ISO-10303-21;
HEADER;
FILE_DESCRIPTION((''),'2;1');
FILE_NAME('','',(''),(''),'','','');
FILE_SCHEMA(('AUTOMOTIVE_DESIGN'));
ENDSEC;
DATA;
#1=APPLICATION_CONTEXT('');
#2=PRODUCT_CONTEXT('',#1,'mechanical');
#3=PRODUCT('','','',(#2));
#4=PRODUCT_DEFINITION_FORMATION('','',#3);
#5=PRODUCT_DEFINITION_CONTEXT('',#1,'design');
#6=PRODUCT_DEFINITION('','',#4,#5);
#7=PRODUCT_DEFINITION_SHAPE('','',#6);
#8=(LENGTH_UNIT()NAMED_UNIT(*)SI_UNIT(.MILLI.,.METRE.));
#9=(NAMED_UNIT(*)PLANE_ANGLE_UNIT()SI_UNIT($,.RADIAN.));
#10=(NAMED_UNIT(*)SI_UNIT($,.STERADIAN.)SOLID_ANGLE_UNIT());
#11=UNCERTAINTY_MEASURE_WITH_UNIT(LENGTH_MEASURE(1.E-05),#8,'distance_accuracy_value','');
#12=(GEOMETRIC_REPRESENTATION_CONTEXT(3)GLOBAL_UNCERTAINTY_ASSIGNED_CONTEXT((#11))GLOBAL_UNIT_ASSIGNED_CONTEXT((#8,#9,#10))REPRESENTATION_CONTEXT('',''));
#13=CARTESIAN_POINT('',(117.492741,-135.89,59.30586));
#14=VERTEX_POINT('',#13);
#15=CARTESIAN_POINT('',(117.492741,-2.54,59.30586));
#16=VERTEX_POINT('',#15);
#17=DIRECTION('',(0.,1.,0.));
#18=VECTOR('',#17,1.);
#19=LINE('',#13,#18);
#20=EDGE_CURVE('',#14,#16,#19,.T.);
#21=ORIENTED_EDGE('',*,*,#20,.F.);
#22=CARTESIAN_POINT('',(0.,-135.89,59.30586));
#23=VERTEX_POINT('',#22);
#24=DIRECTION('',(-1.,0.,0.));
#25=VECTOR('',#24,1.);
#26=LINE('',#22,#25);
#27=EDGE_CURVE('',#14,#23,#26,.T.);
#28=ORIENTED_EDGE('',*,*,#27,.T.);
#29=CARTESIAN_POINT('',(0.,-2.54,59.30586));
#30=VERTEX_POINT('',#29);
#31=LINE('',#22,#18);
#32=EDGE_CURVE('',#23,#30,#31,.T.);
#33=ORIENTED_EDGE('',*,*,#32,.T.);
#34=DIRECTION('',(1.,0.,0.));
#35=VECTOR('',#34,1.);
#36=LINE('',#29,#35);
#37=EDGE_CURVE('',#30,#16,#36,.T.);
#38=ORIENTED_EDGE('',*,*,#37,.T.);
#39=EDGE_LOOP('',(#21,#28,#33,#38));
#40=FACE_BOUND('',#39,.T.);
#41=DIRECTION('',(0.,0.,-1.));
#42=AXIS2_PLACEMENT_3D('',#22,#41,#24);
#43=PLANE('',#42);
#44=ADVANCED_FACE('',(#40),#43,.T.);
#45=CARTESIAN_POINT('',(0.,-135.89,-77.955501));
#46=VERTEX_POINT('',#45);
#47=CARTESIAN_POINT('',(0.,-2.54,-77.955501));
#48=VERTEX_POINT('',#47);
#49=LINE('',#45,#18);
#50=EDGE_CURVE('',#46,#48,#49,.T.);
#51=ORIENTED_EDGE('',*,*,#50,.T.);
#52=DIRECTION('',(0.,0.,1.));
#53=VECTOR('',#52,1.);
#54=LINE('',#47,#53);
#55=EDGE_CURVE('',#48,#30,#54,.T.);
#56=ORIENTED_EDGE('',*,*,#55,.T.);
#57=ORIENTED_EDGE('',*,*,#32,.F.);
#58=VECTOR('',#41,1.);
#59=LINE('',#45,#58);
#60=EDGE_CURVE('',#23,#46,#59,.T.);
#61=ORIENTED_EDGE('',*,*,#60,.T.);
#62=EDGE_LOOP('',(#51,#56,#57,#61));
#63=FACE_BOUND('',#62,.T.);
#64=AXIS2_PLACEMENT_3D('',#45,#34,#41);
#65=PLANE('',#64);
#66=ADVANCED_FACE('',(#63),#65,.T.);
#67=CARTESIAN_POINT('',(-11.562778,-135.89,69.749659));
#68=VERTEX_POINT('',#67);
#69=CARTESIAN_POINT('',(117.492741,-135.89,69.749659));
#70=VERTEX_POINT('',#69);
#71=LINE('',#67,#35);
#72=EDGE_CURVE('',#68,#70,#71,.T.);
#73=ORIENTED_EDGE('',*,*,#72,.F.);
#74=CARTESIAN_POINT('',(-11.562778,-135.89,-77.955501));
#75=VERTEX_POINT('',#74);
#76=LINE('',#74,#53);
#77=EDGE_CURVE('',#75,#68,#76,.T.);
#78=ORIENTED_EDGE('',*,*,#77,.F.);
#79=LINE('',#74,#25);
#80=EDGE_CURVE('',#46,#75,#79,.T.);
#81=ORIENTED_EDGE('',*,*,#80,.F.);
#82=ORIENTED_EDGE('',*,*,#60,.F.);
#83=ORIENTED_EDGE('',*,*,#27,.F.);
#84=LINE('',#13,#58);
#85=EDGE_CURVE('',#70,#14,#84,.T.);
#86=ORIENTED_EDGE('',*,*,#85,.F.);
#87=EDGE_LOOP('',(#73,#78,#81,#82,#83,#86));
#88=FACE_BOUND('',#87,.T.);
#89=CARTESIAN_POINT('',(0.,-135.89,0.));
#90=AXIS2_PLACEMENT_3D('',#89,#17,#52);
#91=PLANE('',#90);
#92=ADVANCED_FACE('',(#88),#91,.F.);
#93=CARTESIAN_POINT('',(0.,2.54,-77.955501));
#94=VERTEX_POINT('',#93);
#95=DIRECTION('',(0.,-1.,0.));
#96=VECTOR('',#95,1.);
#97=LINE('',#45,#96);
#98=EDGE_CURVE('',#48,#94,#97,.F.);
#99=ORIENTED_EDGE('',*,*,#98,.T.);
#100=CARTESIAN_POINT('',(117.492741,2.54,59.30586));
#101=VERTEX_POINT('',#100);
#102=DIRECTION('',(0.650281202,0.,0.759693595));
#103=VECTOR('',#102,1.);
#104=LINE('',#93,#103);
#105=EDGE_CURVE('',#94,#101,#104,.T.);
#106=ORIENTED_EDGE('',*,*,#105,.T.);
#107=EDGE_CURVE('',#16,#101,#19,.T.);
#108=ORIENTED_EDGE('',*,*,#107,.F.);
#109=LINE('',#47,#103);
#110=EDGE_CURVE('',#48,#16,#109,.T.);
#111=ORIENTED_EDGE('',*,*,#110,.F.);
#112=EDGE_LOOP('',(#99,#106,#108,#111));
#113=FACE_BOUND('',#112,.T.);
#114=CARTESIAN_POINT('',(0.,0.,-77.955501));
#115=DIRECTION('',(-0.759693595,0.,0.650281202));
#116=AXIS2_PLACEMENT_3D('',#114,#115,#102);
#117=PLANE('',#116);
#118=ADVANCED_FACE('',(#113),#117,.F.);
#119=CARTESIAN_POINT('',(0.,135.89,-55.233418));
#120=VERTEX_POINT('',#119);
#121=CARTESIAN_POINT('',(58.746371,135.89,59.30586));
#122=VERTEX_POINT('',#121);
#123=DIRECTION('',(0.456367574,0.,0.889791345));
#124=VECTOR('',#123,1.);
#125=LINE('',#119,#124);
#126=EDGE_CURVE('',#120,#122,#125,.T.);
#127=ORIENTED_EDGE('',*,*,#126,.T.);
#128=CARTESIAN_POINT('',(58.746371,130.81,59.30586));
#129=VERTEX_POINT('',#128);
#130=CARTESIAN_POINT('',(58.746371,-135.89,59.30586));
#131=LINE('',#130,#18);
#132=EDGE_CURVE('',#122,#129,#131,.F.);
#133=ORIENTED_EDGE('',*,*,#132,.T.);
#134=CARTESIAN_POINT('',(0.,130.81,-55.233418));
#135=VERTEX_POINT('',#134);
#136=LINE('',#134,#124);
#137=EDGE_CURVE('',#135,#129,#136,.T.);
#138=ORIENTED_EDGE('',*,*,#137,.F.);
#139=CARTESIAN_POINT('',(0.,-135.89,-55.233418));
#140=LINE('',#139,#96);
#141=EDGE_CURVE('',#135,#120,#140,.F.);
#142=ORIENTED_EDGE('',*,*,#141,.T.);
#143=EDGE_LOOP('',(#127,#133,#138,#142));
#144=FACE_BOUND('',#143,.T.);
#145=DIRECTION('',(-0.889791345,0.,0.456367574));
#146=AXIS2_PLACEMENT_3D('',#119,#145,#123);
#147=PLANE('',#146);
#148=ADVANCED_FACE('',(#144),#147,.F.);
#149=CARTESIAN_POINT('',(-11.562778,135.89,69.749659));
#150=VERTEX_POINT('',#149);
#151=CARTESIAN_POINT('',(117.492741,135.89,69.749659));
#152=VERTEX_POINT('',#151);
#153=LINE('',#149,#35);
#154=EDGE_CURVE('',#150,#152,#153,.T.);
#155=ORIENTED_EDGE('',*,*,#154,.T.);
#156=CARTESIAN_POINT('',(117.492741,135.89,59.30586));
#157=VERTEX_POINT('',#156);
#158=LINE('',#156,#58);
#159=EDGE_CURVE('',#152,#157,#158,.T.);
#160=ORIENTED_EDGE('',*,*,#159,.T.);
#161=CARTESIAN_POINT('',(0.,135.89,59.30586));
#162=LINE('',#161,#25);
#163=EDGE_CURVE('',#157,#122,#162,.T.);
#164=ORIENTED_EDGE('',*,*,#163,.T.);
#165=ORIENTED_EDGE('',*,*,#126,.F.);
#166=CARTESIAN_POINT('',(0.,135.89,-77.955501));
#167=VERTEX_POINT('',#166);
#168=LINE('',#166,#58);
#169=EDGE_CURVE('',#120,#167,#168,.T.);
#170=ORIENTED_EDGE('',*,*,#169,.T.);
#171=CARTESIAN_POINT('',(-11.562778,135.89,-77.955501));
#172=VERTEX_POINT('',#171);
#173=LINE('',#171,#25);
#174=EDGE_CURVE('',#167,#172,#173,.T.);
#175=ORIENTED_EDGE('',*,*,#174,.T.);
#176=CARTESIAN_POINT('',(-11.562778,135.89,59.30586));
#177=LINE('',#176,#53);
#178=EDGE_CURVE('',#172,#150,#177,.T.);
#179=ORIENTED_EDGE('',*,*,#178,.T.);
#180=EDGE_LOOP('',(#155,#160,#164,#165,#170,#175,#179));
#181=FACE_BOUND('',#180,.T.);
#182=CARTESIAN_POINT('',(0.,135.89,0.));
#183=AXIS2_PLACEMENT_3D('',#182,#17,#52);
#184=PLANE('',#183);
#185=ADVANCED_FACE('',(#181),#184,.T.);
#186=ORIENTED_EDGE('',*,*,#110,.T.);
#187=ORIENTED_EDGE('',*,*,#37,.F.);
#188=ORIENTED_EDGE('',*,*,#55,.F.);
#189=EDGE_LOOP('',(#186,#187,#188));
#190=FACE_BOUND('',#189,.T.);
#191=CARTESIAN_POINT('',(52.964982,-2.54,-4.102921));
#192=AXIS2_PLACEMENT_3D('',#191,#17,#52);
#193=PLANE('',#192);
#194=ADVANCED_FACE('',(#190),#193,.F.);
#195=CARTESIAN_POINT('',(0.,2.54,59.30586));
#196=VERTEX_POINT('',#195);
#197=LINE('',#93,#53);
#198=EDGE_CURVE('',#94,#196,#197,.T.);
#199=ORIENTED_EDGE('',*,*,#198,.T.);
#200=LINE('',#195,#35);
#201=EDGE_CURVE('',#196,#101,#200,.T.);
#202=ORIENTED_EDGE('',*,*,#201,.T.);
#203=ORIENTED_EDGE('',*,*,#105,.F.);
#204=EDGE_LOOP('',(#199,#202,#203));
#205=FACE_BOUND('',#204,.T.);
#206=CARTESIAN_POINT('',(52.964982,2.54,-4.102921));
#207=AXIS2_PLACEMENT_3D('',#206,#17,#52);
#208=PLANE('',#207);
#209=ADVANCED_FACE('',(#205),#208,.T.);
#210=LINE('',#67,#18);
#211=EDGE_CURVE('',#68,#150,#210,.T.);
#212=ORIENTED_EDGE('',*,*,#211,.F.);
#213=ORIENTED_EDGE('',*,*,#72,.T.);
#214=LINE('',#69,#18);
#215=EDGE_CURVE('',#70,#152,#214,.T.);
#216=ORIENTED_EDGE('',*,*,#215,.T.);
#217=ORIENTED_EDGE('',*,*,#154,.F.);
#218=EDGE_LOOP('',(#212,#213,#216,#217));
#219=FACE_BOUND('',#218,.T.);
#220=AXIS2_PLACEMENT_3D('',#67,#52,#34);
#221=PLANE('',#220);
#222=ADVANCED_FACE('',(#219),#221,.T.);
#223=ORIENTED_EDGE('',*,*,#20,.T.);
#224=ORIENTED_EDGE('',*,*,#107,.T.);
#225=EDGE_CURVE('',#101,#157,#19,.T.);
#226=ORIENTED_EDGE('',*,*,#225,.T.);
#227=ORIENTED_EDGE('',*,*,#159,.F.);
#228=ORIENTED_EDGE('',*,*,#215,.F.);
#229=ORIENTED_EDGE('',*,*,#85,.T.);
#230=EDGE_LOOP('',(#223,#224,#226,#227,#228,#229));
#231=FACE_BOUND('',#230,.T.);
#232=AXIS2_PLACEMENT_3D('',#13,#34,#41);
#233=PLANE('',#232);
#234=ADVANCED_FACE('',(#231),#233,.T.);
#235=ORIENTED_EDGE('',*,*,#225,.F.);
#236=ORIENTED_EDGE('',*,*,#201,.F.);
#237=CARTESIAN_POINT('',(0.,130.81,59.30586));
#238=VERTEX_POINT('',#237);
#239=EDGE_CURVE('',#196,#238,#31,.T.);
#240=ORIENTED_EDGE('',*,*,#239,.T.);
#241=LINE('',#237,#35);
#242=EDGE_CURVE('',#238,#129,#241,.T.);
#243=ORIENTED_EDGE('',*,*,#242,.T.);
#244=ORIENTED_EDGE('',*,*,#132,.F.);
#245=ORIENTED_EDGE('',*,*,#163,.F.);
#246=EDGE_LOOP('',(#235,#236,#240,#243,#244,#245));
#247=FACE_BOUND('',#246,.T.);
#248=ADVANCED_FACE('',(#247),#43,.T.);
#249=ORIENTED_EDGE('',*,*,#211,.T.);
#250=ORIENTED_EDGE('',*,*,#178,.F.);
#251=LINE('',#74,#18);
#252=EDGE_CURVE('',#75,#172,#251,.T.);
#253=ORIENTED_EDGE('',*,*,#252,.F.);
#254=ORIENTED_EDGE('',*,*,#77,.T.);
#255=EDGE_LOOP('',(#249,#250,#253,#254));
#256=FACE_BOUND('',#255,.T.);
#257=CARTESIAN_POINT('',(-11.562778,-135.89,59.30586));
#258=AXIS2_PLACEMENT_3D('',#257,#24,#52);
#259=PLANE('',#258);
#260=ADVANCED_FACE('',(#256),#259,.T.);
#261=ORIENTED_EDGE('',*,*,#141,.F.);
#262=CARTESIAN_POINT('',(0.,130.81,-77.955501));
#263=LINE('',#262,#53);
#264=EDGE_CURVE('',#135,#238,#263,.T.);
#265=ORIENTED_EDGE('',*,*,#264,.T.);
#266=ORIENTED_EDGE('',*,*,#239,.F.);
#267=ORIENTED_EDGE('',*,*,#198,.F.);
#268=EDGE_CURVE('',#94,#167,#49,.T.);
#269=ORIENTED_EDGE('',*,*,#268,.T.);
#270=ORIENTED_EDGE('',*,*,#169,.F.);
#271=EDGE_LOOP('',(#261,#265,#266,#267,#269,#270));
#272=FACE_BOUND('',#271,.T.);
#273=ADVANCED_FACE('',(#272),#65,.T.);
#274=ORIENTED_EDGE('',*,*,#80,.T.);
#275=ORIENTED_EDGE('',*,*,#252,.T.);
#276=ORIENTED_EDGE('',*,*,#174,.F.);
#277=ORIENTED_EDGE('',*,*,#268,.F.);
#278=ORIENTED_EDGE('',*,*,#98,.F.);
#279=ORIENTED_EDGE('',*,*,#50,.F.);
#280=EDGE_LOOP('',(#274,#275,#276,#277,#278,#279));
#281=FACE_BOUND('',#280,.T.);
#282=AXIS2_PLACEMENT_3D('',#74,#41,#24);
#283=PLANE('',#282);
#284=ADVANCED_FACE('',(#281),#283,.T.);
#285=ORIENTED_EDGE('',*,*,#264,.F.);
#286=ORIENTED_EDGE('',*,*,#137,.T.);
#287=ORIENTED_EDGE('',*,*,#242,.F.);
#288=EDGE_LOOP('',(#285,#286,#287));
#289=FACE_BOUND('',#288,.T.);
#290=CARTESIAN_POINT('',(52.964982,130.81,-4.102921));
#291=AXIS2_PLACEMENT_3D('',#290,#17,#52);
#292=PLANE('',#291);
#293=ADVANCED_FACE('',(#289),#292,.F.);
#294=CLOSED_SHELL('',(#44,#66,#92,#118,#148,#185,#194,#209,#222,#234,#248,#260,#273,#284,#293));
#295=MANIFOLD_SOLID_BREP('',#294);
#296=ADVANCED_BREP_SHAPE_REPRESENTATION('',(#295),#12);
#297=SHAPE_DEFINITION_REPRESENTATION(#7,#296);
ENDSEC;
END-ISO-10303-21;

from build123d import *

# Parameters (mm, degrees)
BOSS_EXTRUDE2_DEPTH = 135.89
RIB18_REACH         = 308.18
SKETCH4_WALL_W      = 743.085279388
SKETCH4_WALL_H      = 5.08
RIB27_REACH         = 197.826
SKETCH6_WALL_W      = 574.331256006
SKETCH6_WALL_H      = 5.08


with BuildPart() as part:
    # Sketch1 → Boss-Extrude2 (new, symmetric)
    with BuildSketch(Plane(origin=(0, 0, 0), x_dir=(1, 0, 0), z_dir=(0, 1, 0))):
        Polygon((-11.562777715, 77.955501368), (0, 77.955501368), (0, -59.305859892), (117.492741296, -59.305859892), (117.492741296, -69.749659119), (-11.562777715, -69.749659119), (-11.562777715, -59.305859892), align=None)
    extrude(amount=BOSS_EXTRUDE2_DEPTH, both=True)

    # Sketch4 wall → Rib18 (add, up to next)
    with BuildSketch(Plane(origin=(29.373185324, 135.89, 2.036221127), x_dir=(0.456367573522, 0, 0.889791345113), z_dir=(0.889791345113, 0, -0.456367573522)), mode=Mode.PRIVATE) as rib18_sk1:
        with Locations((0, 2.54)):
            Rectangle(SKETCH4_WALL_W, SKETCH4_WALL_H)
    rib18_tool1 = extrude(rib18_sk1.sketch, amount=-RIB18_REACH, mode=Mode.PRIVATE) - part.part
    add(rib18_tool1.solids().sort_by_distance((29.373185324, 135.89, 2.036221127))[0])

    # Sketch6 wall → Rib27 (add, up to next)
    with BuildSketch(Plane(origin=(58.746370648, 0, -9.324820738), x_dir=(0.650281202153, 0, 0.759693594896), z_dir=(0.759693594896, 0, -0.650281202153)), mode=Mode.PRIVATE) as rib27_sk1:
        Rectangle(SKETCH6_WALL_W, SKETCH6_WALL_H)
    rib27_tool1 = extrude(rib27_sk1.sketch, amount=-RIB27_REACH, mode=Mode.PRIVATE) - part.part
    add(rib27_tool1.solids().sort_by_distance((58.746370648, 0, -9.324820738))[0])


solid = part.part
